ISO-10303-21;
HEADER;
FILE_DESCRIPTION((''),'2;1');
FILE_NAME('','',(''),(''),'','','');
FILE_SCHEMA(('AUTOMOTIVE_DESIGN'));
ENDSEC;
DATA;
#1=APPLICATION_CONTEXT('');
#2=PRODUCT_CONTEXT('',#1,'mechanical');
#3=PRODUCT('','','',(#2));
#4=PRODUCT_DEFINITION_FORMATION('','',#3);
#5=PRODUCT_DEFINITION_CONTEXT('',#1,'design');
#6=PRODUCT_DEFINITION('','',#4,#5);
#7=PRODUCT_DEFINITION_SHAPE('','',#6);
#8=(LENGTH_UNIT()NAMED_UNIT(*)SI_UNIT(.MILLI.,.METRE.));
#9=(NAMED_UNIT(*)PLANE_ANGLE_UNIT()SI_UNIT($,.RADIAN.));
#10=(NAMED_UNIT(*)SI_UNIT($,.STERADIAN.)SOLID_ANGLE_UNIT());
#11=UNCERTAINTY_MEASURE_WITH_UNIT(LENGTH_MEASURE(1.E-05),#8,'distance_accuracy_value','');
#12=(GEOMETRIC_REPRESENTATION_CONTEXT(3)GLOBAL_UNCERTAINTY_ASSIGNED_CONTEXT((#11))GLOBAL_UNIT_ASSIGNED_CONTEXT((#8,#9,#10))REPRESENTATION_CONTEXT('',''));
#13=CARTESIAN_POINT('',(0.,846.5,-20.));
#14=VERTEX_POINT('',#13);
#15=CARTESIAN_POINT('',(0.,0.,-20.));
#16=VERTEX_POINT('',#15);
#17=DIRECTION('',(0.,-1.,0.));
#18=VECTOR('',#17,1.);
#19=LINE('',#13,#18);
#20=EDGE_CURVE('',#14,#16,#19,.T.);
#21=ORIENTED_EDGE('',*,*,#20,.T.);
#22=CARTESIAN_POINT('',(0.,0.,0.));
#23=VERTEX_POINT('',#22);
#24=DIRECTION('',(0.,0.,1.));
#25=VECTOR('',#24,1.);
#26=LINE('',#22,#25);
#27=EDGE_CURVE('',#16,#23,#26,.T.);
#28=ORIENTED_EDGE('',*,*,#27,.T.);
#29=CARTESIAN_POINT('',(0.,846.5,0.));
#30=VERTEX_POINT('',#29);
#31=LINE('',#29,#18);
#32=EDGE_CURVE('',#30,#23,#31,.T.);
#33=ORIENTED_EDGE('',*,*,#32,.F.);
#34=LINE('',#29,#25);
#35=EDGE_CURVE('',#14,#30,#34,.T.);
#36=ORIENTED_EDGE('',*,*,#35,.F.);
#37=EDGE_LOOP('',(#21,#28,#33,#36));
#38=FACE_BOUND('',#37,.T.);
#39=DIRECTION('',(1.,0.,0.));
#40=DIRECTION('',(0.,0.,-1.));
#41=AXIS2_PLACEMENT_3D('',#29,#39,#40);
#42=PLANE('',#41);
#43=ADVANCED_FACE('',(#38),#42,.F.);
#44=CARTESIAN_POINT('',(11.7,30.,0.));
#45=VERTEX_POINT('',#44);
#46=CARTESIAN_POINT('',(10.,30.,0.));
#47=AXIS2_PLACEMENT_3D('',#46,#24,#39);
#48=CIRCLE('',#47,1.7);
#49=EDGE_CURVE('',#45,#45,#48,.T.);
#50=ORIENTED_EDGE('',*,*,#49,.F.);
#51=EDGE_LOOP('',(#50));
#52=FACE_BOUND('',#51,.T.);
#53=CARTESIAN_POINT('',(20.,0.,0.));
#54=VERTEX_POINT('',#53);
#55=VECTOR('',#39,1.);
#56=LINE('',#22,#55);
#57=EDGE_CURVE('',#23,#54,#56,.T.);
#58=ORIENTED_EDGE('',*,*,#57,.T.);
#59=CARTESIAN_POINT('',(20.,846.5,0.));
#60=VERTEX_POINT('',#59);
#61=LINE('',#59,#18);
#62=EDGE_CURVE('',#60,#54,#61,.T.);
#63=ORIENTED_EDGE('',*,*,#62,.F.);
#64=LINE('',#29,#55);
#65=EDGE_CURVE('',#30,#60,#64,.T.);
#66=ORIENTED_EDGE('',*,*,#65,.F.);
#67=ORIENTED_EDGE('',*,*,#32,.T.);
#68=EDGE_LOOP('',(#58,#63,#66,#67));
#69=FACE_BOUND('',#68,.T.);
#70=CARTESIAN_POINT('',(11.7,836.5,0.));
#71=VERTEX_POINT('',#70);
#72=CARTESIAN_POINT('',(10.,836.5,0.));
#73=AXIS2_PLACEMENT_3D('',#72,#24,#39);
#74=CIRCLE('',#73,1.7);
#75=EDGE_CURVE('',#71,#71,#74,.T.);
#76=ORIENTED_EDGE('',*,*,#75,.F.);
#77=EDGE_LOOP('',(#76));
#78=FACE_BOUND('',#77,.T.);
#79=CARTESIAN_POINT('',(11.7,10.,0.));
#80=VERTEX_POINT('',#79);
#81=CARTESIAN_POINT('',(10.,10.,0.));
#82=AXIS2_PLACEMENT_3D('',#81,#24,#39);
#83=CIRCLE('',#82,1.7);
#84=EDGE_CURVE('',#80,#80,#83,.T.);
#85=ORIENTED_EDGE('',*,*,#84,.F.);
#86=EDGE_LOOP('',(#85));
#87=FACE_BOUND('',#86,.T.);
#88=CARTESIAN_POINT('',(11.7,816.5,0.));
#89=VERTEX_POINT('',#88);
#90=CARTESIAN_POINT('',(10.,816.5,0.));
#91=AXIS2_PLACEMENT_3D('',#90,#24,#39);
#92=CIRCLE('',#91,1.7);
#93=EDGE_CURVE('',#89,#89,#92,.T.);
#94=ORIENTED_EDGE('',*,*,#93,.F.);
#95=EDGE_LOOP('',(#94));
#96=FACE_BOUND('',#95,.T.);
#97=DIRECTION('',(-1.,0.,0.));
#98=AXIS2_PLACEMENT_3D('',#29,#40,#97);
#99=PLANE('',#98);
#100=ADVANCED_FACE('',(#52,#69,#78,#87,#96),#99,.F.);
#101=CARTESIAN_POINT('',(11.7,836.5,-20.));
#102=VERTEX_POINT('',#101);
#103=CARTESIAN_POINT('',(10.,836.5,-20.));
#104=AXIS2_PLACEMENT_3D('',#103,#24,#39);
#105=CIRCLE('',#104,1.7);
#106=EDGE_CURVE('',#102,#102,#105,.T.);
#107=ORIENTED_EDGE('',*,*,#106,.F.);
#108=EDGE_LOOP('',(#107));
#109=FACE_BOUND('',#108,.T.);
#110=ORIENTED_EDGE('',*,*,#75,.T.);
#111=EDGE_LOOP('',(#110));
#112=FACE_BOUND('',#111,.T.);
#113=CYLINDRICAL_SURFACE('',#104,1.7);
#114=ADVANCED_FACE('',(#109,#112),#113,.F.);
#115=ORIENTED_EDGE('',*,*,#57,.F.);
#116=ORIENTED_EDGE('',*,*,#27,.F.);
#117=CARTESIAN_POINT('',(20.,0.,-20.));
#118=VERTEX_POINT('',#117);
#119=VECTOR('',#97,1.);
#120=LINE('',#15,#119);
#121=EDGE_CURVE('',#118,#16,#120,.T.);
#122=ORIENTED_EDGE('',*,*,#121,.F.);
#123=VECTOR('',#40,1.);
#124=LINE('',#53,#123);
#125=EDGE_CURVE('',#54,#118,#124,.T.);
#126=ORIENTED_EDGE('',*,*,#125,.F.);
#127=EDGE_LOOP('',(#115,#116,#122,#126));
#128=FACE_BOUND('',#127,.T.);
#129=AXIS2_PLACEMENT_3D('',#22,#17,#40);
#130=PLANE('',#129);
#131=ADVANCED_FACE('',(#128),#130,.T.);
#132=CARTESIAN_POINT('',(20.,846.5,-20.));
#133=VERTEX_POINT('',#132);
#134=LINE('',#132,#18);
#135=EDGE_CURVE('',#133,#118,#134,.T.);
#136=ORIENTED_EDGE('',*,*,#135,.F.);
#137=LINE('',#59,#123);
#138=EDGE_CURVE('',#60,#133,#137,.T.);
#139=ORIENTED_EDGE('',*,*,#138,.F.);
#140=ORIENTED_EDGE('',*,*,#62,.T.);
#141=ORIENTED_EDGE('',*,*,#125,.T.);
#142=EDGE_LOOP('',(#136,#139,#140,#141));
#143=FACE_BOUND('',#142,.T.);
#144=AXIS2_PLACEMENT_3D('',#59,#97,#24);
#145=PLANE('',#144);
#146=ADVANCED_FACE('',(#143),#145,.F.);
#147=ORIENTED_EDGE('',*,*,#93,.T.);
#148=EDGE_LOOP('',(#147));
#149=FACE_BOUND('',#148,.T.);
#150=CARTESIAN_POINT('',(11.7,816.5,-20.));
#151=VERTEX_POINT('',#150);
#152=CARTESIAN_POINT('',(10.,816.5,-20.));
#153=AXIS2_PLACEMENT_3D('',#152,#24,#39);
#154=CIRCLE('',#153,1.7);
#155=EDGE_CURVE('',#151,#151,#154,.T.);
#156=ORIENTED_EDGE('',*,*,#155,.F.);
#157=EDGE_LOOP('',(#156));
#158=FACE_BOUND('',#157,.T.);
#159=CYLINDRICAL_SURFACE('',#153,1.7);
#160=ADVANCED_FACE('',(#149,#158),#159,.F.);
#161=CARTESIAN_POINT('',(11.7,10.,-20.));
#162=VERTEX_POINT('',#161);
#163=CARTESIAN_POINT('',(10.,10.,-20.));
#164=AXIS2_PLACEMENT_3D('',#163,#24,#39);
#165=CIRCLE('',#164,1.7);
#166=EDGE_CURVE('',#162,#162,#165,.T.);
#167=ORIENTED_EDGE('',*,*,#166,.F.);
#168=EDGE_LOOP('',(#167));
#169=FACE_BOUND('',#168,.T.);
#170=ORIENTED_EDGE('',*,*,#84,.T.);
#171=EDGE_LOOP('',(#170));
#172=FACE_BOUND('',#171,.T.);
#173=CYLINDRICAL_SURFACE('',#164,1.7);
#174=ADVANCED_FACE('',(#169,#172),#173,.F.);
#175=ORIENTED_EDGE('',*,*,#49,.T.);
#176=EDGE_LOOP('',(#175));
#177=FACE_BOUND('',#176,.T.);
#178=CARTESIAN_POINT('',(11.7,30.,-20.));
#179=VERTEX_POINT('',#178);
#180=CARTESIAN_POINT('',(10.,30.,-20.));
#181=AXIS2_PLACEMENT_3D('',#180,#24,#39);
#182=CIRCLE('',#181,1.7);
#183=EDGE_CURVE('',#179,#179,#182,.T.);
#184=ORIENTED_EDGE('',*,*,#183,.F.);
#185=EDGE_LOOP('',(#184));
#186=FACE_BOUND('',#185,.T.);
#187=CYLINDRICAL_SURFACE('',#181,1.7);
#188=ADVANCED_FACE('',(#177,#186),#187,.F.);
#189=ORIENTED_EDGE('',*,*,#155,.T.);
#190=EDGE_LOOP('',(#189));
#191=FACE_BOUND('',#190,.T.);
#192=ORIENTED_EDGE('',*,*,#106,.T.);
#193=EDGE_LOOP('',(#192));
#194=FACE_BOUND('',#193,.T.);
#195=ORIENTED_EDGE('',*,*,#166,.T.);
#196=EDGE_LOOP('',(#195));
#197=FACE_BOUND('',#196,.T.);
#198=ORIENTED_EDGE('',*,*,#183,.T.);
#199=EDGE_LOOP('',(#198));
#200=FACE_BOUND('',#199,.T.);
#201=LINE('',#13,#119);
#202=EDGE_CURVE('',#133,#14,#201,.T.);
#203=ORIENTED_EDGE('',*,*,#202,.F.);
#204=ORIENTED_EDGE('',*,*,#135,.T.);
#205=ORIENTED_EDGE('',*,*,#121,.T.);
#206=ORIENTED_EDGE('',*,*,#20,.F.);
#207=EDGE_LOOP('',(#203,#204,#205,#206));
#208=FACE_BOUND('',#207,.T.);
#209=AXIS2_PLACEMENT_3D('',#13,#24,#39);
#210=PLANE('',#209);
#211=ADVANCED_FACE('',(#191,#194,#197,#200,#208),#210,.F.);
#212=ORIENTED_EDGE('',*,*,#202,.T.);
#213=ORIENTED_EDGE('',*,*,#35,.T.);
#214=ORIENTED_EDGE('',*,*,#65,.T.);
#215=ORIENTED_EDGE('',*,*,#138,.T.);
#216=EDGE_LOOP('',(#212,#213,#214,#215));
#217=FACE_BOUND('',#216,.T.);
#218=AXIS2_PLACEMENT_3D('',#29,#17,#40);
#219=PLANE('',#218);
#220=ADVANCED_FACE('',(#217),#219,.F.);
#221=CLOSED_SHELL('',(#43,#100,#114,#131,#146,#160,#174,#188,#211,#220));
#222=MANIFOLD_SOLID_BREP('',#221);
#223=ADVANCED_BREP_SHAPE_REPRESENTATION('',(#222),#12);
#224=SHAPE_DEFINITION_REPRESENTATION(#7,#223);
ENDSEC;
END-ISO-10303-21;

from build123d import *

# Parameters (mm, degrees)
SKETCH_1_W          = 20
SKETCH_1_H          = 20
EXTRUDE_1_DEPTH     = 846.5
SKETCH_2_R          = 1.7
CUT_EXTRUDE_1_DEPTH = 847.972402148


with BuildPart() as part:
    # 草图1 → 凸台-拉伸1 (new body)
    with BuildSketch(Plane(origin=(0, 0, 0), x_dir=(1, 0, 0), z_dir=(0, 1, 0))):
        with Locations((10, 10)):
            Rectangle(SKETCH_1_W, SKETCH_1_H)
    extrude(amount=EXTRUDE_1_DEPTH)

    # 草图2 → 切除-拉伸1 (cut, through all)
    with BuildSketch(Plane.XY):
        with Locations((10, 10)):
            Circle(SKETCH_2_R)
        with Locations((10, 30)):
            Circle(SKETCH_2_R)
        with Locations((10, 836.5)):
            Circle(SKETCH_2_R)
        with Locations((10, 816.5)):
            Circle(SKETCH_2_R)
    extrude(amount=-CUT_EXTRUDE_1_DEPTH, mode=Mode.SUBTRACT)


solid = part.part
